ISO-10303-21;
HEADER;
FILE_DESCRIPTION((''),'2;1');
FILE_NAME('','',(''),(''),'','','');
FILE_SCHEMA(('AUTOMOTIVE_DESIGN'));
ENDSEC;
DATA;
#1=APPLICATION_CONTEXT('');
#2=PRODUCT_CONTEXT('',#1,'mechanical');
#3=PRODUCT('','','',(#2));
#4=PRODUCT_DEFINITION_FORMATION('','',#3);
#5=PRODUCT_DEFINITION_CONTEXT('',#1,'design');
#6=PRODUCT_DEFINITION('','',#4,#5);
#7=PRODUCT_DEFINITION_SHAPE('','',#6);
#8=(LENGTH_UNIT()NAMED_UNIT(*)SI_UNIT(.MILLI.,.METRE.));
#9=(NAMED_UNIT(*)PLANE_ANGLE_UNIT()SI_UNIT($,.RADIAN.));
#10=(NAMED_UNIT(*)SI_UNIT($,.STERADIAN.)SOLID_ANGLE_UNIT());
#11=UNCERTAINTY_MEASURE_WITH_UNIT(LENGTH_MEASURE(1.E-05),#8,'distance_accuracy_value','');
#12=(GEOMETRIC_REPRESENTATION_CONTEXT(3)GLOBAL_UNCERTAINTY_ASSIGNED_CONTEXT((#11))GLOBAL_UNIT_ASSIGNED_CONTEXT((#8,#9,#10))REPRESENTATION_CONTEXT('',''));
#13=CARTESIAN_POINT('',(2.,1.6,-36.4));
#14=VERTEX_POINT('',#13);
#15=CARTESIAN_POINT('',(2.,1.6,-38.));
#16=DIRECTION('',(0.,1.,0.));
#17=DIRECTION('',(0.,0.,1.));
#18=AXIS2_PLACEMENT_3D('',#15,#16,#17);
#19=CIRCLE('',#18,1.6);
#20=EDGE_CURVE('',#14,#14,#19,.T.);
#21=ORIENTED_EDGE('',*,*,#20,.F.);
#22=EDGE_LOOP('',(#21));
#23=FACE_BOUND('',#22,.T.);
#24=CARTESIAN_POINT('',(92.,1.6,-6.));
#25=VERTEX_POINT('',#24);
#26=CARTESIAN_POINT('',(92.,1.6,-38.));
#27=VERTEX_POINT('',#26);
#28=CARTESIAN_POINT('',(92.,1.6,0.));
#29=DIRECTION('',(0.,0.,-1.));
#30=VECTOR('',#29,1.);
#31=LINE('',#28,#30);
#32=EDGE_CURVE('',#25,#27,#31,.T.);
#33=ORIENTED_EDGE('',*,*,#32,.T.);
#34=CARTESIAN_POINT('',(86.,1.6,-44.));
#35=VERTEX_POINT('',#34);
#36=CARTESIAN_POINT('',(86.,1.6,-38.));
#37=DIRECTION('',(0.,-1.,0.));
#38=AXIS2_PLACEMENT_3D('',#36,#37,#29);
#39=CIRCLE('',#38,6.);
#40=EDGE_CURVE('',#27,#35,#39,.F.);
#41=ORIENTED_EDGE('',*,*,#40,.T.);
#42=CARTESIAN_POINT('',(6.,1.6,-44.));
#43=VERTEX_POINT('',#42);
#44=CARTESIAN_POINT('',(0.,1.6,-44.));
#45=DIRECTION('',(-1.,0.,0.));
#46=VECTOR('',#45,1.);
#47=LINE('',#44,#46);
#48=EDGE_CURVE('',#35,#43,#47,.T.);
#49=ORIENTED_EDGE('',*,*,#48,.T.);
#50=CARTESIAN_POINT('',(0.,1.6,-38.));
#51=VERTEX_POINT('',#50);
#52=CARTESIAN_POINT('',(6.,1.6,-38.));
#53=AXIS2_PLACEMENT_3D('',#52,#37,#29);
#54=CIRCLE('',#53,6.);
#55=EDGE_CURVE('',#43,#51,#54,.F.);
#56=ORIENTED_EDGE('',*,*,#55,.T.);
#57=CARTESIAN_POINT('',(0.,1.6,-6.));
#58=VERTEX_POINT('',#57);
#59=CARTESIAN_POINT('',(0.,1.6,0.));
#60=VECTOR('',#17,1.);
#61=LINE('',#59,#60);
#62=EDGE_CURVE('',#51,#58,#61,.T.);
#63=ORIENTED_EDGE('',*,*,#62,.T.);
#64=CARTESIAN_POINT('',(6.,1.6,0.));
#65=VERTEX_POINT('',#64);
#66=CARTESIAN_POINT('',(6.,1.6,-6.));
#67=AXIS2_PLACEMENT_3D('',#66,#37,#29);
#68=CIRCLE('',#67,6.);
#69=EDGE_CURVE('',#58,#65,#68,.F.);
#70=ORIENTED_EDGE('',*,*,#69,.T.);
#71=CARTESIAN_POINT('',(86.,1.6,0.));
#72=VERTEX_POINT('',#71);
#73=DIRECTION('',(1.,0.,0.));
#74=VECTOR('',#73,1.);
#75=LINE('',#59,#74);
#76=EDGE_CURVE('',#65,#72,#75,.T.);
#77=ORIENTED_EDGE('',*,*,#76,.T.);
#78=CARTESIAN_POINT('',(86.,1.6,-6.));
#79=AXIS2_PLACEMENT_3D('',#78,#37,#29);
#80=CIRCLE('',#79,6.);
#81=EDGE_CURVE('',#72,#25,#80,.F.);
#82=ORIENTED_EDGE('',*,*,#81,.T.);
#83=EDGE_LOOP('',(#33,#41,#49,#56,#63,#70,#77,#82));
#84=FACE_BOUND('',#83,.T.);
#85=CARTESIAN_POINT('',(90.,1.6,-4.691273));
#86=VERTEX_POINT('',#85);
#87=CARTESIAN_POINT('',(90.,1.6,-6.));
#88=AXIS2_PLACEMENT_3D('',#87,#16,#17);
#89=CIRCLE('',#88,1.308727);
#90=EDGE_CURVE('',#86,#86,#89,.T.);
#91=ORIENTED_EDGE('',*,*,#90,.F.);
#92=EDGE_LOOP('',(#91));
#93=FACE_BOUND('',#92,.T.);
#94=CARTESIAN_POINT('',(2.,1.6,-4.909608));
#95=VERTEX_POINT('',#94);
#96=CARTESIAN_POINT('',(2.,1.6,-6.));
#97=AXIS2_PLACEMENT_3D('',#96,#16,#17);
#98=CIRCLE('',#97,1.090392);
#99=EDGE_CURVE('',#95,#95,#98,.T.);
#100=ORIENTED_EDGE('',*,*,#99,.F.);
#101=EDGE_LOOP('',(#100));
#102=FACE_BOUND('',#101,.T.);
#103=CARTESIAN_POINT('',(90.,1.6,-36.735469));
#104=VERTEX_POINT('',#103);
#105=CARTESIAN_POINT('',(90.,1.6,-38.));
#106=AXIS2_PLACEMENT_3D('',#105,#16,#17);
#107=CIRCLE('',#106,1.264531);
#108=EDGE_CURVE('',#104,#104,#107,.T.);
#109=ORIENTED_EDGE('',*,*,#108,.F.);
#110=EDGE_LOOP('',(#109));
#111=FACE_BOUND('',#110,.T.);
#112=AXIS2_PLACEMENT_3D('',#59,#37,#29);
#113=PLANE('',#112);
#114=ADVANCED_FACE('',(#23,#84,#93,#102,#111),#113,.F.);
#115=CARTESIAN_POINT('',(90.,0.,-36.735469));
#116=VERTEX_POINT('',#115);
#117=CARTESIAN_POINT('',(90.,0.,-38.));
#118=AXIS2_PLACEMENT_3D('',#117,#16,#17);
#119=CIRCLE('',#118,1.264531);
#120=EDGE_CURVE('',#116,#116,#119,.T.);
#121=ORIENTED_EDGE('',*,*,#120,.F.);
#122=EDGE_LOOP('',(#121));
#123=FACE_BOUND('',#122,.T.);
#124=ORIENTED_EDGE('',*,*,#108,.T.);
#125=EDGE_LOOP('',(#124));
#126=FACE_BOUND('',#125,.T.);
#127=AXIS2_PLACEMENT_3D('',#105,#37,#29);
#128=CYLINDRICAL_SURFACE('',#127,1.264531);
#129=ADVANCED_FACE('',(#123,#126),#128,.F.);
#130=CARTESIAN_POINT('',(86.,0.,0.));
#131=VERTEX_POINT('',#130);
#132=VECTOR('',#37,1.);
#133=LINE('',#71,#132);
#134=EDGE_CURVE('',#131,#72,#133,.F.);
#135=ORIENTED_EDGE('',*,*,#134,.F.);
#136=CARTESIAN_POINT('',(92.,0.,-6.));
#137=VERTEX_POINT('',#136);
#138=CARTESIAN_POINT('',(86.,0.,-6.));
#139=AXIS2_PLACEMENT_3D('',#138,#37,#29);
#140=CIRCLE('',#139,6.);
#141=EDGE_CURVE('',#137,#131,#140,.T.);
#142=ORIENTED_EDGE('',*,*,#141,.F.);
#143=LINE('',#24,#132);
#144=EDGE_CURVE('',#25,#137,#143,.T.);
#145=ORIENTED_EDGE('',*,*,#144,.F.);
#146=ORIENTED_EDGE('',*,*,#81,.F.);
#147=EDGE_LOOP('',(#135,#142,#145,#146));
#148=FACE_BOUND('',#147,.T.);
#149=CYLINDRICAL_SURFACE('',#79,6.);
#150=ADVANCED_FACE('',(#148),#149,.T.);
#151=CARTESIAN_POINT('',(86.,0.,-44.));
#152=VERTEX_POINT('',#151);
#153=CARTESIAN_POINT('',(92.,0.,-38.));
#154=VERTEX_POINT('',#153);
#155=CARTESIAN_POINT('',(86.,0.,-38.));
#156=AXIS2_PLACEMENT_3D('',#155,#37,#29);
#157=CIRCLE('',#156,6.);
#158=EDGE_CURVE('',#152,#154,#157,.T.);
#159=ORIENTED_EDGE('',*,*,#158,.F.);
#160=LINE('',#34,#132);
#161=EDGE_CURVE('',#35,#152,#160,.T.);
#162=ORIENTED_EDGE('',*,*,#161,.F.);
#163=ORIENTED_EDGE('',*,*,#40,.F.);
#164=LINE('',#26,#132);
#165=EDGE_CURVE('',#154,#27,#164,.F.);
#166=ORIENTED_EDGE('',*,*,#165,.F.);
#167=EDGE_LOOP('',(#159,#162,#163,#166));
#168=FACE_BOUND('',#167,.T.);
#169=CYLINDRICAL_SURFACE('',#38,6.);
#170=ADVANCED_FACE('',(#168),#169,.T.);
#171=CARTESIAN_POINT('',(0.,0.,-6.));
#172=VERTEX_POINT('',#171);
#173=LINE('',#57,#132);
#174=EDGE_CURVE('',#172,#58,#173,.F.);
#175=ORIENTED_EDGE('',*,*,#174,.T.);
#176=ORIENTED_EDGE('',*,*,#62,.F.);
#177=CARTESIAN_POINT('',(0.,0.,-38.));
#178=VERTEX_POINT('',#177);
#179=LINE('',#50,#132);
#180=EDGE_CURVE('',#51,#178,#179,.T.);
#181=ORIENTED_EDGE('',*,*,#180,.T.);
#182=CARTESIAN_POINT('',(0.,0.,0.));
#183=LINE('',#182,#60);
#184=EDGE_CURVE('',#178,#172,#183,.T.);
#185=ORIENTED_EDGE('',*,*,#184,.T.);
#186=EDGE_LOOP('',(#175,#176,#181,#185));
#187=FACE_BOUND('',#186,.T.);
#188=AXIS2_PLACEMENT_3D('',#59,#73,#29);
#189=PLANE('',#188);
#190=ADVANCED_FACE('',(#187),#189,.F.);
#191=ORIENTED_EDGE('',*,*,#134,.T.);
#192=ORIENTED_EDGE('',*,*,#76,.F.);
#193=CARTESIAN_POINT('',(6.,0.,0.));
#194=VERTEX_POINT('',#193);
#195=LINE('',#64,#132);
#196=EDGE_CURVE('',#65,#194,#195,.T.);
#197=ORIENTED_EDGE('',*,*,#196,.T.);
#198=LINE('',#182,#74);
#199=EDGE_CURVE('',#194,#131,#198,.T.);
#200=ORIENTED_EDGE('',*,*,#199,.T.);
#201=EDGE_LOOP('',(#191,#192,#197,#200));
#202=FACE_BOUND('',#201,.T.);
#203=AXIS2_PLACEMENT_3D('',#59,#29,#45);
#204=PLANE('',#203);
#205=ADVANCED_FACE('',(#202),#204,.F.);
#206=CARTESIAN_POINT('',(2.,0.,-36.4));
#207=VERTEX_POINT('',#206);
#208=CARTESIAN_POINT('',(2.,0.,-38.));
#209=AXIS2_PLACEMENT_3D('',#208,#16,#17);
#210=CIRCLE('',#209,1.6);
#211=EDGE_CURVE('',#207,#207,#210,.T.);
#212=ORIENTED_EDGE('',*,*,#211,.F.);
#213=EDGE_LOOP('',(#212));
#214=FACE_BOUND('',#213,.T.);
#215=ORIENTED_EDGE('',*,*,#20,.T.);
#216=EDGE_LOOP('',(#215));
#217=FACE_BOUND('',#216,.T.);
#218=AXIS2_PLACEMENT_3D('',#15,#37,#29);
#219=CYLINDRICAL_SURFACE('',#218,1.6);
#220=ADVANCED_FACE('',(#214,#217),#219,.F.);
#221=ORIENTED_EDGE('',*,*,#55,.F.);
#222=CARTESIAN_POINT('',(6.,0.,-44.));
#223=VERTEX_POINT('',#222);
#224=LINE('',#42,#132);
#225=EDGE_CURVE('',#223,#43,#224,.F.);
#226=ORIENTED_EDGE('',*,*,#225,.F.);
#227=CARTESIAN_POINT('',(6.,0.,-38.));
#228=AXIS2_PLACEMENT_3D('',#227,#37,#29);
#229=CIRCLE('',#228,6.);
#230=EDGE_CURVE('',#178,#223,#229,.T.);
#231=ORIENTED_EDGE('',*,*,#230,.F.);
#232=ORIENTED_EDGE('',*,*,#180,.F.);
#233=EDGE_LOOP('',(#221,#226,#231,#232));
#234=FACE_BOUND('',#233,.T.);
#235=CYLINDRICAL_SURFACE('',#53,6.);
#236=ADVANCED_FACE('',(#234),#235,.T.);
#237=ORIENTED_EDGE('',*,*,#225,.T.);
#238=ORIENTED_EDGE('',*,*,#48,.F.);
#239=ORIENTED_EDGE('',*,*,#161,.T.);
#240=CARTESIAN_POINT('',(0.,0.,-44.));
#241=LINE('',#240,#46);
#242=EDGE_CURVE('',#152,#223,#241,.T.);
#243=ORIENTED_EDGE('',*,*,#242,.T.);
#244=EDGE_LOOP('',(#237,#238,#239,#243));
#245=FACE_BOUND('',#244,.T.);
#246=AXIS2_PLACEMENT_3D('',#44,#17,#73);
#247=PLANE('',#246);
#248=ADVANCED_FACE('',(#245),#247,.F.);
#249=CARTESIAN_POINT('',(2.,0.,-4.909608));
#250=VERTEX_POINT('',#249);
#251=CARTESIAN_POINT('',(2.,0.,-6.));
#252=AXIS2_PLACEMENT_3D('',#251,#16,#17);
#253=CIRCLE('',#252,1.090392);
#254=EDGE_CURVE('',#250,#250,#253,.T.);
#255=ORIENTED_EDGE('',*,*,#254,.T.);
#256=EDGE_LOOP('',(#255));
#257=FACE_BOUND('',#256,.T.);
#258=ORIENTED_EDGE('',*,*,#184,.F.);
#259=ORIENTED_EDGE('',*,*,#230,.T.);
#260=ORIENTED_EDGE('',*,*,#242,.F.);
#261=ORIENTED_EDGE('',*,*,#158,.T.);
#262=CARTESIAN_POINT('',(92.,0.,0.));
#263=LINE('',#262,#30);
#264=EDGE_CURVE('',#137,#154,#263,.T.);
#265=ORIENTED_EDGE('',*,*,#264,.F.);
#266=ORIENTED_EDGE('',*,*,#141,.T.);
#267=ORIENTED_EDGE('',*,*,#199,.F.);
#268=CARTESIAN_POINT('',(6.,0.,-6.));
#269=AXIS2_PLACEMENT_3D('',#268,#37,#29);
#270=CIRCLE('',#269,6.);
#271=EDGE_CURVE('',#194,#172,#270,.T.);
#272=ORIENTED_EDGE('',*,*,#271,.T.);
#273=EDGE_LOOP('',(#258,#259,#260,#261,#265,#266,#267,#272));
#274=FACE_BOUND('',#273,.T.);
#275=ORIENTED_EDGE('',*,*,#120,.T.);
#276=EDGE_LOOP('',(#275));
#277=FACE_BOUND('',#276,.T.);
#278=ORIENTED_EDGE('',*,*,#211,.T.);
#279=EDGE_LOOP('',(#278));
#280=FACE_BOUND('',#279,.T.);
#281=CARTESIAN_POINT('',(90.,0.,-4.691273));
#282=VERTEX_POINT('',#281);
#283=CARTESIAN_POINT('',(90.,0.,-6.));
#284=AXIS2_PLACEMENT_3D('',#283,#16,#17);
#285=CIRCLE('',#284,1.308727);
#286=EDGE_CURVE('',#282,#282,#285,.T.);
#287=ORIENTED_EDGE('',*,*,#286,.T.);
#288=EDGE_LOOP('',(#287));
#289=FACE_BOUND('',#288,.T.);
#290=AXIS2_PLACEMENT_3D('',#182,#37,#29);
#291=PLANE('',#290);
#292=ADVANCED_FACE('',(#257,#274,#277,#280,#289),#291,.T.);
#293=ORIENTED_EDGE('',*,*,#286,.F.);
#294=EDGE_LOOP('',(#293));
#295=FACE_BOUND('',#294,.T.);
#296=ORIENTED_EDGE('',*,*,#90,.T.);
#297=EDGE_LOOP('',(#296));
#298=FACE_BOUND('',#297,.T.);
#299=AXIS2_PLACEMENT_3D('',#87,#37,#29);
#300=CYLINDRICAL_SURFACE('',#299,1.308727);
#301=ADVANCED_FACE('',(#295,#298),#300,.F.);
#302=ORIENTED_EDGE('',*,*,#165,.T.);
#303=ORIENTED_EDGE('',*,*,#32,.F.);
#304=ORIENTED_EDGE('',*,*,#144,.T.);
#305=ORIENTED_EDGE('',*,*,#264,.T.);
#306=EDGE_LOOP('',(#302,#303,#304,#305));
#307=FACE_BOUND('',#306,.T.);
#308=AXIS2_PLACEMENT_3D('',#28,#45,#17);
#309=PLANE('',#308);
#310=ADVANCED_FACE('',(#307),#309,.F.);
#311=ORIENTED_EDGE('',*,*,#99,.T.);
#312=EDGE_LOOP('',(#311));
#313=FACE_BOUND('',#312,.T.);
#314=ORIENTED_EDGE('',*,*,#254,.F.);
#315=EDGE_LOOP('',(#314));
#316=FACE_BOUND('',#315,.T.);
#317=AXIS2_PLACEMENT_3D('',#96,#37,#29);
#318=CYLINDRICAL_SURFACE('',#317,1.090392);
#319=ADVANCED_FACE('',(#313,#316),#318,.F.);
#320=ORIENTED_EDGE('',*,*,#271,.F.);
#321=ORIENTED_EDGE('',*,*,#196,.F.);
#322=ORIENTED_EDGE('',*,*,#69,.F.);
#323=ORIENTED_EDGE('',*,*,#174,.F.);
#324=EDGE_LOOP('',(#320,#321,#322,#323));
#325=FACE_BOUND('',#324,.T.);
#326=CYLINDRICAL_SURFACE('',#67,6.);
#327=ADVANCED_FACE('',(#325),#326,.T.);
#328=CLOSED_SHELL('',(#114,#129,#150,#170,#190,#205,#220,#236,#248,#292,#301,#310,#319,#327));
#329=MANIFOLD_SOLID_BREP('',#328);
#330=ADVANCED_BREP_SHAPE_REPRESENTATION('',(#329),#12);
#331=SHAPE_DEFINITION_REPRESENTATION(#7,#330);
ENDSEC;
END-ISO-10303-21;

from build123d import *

# Parameters (mm, degrees)
SKETCH1_W           = 92
SKETCH1_H           = 44
SKETCH1_R           = 1.090391873
SKETCH1_R_2         = 1.6
SKETCH1_R_3         = 1.26453084
SKETCH1_R_4         = 1.308726881
BOSS_EXTRUDE1_DEPTH = 1.6
FILLET1_R           = 6


with BuildPart() as part:
    # Sketch1 → Boss-Extrude1 (new body)
    with BuildSketch(Plane(origin=(0, 0, 0), x_dir=(1, 0, 0), z_dir=(0, 1, 0))):
        with Locations((46, 22)):
            Rectangle(SKETCH1_W, SKETCH1_H)
        with Locations((2, 6)):
            Circle(SKETCH1_R, mode=Mode.SUBTRACT)
        with Locations((2, 38)):
            Circle(SKETCH1_R_2, mode=Mode.SUBTRACT)
        with Locations((90, 38)):
            Circle(SKETCH1_R_3, mode=Mode.SUBTRACT)
        with Locations((90, 6)):
            Circle(SKETCH1_R_4, mode=Mode.SUBTRACT)
    extrude(amount=BOSS_EXTRUDE1_DEPTH)

    # Fillet1
    fillet1_edges = [part.edges().sort_by_distance(p)[0] for p in [
        (0, 0.8, -44),
        (92, 0.8, -44),
        (92, 0.8, 0),
        (0, 0.8, 0),
    ]]
    fillet(fillet1_edges, radius=FILLET1_R)


solid = part.part
